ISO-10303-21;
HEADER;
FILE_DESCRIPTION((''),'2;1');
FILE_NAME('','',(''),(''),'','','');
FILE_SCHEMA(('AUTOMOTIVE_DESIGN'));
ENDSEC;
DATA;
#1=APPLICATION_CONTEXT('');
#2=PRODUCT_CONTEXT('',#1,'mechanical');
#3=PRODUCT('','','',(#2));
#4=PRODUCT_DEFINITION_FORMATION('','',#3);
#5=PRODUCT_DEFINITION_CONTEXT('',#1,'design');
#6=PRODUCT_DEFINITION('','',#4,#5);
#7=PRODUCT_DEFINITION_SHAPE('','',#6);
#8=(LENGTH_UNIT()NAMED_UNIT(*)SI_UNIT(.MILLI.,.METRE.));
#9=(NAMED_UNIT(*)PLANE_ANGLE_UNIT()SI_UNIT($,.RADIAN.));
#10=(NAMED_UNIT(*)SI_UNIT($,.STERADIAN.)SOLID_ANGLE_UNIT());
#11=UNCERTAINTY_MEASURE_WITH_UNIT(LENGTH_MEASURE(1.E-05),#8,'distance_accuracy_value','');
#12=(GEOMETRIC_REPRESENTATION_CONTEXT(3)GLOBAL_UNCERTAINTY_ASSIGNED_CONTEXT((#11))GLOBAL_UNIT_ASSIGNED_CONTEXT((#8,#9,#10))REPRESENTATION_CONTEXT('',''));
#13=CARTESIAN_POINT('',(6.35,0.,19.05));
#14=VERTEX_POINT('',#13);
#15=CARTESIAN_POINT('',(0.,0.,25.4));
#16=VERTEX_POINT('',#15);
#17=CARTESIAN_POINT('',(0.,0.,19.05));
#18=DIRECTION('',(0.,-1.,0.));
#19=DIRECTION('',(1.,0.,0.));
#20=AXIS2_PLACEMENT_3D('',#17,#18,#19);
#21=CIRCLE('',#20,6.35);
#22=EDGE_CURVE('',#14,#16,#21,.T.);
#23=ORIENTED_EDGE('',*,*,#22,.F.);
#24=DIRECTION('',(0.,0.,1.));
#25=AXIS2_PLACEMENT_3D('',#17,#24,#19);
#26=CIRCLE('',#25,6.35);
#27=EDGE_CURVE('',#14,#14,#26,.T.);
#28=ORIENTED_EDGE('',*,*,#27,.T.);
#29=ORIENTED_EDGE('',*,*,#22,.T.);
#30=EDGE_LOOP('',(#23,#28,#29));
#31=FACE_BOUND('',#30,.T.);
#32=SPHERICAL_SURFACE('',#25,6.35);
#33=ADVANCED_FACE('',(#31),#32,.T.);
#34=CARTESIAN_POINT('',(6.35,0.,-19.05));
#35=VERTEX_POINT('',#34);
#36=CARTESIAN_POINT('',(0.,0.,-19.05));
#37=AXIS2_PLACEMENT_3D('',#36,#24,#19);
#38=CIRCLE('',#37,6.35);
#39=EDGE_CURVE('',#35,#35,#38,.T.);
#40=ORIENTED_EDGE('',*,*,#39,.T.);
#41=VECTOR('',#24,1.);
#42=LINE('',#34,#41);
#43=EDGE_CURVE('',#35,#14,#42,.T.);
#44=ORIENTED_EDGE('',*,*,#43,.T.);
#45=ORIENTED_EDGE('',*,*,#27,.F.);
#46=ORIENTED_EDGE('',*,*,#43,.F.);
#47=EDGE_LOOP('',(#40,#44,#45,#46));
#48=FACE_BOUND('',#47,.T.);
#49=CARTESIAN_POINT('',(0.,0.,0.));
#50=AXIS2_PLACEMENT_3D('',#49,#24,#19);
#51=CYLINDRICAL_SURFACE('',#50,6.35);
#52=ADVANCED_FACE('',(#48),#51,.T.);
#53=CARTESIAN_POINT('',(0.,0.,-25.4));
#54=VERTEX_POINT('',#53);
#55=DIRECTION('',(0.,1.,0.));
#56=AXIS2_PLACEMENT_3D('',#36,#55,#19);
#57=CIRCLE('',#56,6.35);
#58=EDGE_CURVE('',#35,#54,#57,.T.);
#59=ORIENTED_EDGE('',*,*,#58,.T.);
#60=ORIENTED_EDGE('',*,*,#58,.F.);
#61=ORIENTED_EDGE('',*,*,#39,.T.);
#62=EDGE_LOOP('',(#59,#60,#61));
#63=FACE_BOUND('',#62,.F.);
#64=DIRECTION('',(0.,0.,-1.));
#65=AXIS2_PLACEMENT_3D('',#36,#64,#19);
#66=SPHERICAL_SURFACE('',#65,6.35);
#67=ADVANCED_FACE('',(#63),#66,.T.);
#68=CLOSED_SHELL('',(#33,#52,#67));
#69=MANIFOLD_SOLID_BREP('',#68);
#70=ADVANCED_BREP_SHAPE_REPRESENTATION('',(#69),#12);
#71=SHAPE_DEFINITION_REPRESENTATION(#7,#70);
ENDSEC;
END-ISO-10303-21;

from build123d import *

# Parameters (mm, degrees)
F0_R     = 6.35
F1_DEPTH = 25.4
F2_R     = 6.35


with BuildPart() as f1:
    # F0 (on Top) → F1 (new body)
    with BuildSketch(Plane.XY):
        Circle(F0_R)
    extrude(amount=F1_DEPTH)

    # F2
    f2_edges = [f1.edges().sort_by_distance(p)[0] for p in [
        (-6.35, 0, 25.4),
    ]]
    fillet(f2_edges, radius=F2_R)

    # F3: F1 across face


with BuildPart() as f1_1:
    add(f1.part)
    add(f1.part.mirror(Plane(origin=(0, 0, 0), x_dir=(1, 0, 0), z_dir=(0, 0, -1))))


solid = f1_1.part
